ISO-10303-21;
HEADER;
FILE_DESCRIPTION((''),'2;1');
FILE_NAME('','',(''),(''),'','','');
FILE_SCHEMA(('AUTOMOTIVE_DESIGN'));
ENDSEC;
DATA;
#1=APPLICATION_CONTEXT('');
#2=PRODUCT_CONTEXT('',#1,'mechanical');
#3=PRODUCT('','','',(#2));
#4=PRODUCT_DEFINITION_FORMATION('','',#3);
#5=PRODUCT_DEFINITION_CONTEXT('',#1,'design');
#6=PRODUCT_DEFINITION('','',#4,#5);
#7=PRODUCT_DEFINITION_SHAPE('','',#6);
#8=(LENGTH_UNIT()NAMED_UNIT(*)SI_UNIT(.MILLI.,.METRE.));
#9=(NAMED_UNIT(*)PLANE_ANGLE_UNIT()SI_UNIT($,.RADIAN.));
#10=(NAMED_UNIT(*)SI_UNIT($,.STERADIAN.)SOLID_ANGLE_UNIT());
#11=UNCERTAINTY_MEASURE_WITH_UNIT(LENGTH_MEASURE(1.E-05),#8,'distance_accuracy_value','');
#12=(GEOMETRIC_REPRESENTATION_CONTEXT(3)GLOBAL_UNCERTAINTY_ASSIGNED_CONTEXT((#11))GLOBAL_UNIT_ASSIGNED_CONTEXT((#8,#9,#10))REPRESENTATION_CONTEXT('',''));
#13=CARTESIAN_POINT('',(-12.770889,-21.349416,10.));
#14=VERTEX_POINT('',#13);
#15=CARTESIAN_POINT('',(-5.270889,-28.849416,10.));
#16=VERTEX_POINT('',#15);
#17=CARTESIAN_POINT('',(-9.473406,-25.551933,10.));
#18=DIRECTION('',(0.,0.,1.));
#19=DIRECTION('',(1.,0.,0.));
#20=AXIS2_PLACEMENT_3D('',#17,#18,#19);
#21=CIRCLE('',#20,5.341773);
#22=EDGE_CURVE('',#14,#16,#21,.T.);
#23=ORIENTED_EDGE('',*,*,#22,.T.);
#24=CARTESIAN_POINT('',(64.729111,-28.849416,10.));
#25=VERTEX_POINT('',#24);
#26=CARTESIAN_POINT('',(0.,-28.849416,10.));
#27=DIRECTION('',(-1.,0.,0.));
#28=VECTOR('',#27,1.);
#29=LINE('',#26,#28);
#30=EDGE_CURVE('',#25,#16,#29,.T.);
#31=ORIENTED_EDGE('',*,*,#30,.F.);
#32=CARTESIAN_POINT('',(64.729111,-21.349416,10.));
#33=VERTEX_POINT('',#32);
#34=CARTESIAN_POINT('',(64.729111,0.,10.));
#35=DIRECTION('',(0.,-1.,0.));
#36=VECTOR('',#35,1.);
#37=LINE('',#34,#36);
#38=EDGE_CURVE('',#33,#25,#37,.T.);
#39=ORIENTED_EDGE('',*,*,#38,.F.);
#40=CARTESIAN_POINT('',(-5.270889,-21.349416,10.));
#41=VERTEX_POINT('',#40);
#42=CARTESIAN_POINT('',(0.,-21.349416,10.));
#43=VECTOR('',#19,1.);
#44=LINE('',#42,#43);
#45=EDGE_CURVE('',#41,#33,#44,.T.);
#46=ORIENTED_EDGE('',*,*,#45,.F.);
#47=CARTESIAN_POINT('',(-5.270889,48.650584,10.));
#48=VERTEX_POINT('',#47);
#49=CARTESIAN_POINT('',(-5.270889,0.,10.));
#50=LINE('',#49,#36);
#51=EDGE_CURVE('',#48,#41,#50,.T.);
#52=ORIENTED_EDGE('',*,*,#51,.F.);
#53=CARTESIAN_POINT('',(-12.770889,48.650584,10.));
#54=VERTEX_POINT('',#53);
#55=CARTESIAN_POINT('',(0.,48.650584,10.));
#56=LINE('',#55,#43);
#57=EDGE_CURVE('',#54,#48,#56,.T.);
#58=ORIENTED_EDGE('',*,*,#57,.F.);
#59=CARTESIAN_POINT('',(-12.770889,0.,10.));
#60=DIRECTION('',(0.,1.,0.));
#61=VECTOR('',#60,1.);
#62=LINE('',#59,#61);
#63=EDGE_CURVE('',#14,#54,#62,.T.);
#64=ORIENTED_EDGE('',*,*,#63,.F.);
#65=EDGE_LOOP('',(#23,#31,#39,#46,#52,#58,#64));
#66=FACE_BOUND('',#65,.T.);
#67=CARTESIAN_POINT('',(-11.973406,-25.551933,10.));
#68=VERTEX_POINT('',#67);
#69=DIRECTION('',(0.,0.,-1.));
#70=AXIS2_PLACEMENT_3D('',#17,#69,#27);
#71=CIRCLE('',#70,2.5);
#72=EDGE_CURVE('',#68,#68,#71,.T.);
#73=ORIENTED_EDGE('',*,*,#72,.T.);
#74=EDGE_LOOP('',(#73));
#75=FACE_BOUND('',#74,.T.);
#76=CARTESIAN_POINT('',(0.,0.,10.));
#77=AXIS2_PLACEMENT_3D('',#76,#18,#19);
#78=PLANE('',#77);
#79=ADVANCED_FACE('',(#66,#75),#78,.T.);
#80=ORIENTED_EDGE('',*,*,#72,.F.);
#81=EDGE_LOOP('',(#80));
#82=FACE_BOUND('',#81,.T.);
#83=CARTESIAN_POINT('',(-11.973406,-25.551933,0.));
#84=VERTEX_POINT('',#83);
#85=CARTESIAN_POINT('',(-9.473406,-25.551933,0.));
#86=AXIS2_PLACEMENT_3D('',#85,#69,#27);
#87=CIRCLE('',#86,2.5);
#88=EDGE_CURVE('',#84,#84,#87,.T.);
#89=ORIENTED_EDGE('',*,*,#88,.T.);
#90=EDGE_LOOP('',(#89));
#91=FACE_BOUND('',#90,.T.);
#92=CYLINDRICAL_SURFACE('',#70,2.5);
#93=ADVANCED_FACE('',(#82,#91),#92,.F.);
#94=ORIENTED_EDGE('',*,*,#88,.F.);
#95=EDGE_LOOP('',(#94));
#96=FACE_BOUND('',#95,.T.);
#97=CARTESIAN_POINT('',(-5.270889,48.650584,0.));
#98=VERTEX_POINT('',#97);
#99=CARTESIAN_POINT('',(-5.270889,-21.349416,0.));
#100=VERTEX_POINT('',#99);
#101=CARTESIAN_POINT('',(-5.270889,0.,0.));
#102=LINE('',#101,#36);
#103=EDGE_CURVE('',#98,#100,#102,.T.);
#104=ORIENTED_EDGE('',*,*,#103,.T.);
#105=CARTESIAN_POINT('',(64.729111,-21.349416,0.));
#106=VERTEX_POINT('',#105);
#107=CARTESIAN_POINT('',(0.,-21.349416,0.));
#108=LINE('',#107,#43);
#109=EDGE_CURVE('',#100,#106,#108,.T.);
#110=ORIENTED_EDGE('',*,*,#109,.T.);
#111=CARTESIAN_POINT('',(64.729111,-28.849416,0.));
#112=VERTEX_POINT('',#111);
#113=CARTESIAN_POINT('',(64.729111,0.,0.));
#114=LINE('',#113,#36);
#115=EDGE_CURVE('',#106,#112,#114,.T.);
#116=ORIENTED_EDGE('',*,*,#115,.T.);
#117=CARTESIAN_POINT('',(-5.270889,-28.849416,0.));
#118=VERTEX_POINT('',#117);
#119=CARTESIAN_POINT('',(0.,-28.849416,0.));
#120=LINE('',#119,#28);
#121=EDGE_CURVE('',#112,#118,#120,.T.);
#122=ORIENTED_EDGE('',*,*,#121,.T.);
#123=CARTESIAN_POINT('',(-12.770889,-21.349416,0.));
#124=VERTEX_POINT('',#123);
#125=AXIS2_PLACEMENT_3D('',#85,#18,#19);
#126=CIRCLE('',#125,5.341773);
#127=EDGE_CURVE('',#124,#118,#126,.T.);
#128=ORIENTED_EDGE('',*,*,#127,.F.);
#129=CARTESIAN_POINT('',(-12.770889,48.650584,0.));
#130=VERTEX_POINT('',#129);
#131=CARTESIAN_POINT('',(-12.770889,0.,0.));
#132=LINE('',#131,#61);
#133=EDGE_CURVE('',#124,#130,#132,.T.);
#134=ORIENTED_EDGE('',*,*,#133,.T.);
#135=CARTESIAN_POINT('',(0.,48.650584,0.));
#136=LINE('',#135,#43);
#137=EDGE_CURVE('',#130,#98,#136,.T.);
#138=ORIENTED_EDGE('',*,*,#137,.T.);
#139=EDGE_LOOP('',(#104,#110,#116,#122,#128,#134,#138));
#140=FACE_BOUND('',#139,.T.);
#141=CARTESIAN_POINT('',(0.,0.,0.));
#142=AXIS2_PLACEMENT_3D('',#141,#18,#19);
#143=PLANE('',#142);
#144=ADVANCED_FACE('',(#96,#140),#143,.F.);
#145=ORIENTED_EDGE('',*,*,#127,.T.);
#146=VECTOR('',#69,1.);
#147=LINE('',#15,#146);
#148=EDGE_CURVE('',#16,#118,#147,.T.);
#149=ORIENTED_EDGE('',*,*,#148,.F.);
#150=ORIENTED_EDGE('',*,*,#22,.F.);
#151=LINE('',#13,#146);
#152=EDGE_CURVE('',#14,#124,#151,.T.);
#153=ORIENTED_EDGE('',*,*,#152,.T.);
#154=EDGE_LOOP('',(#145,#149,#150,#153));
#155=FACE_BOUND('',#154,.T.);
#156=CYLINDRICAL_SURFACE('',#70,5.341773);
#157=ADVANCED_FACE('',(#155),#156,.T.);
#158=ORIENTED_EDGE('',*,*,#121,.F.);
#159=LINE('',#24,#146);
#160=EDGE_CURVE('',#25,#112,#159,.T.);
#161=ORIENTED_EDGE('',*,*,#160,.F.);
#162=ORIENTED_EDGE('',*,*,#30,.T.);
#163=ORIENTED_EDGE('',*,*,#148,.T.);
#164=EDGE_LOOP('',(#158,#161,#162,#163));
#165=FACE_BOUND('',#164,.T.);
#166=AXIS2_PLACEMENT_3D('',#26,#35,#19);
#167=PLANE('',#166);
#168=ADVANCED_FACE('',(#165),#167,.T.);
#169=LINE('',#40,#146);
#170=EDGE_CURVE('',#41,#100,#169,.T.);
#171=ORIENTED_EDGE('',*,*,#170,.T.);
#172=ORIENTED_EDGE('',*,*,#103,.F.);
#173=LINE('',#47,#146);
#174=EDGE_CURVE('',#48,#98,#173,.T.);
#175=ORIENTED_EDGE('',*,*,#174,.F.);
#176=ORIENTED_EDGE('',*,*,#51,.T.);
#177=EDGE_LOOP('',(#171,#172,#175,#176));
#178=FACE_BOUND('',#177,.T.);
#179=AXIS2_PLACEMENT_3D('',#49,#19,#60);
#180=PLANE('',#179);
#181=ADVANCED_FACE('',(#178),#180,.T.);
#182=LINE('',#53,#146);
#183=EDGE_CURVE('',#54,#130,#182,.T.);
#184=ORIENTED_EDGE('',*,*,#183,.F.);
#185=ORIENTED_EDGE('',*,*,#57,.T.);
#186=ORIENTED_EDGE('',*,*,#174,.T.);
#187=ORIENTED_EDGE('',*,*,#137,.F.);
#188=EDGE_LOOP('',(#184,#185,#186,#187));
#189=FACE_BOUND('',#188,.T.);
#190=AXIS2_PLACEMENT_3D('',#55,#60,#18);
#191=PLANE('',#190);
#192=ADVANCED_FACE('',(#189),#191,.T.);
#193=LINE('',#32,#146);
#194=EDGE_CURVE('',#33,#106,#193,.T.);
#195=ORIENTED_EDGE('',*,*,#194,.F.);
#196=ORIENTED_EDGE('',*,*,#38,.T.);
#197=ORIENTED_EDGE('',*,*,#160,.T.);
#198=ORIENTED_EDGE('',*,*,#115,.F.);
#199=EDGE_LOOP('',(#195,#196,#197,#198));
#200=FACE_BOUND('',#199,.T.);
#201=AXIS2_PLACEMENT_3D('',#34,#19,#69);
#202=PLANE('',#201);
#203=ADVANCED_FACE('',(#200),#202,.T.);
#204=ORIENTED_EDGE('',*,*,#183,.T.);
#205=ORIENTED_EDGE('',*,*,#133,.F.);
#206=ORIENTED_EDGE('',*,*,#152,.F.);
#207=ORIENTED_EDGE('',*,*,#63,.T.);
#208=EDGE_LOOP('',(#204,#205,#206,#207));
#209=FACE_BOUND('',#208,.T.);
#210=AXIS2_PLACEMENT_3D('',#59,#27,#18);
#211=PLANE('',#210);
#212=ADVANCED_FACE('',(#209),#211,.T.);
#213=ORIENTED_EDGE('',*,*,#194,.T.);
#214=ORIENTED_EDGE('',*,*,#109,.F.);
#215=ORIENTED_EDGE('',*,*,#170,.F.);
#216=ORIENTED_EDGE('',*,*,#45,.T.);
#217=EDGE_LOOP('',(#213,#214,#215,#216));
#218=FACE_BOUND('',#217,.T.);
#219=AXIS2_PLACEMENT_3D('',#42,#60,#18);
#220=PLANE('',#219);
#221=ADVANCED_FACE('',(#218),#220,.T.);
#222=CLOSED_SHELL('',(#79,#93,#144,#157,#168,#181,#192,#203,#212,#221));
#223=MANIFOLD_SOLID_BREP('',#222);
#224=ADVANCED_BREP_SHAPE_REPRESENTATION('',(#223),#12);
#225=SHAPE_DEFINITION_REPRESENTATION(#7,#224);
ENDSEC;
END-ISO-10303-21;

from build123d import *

# Parameters (mm, degrees)
BOSS_EXTRUDE2_DEPTH = 10
SKETCH2_R           = 2.5
CUT_EXTRUDE1_DEPTH  = 10


with BuildPart() as part:
    # Sketch1 → Boss-Extrude2 (new body)
    with BuildSketch(Plane.XY):
        with BuildLine():
            Line((-12.770888736, 48.650584459), (-12.770888736, -21.349415541))
            ThreePointArc((-12.770888736, -21.349415541), (-13.250610219, -29.329137023), (-5.270888736, -28.849415541))
            Line((-5.270888736, -28.849415541), (64.729111264, -28.849415541))
            Line((64.729111264, -28.849415541), (64.729111264, -21.349415541))
            Line((64.729111264, -21.349415541), (-5.270888736, -21.349415541))
            Line((-5.270888736, -21.349415541), (-5.270888736, 48.650584459))
            Line((-5.270888736, 48.650584459), (-12.770888736, 48.650584459))
        make_face()
    extrude(amount=BOSS_EXTRUDE2_DEPTH)

    # Sketch2 → Cut-Extrude1 (cut)
    with BuildSketch(Plane(origin=(0, 0, 0), x_dir=(-1, 0, 0), z_dir=(0, 0, -1))):
        with Locations((9.47340598, -25.551932785)):
            Circle(SKETCH2_R)
    extrude(amount=-CUT_EXTRUDE1_DEPTH, mode=Mode.SUBTRACT)


solid = part.part
